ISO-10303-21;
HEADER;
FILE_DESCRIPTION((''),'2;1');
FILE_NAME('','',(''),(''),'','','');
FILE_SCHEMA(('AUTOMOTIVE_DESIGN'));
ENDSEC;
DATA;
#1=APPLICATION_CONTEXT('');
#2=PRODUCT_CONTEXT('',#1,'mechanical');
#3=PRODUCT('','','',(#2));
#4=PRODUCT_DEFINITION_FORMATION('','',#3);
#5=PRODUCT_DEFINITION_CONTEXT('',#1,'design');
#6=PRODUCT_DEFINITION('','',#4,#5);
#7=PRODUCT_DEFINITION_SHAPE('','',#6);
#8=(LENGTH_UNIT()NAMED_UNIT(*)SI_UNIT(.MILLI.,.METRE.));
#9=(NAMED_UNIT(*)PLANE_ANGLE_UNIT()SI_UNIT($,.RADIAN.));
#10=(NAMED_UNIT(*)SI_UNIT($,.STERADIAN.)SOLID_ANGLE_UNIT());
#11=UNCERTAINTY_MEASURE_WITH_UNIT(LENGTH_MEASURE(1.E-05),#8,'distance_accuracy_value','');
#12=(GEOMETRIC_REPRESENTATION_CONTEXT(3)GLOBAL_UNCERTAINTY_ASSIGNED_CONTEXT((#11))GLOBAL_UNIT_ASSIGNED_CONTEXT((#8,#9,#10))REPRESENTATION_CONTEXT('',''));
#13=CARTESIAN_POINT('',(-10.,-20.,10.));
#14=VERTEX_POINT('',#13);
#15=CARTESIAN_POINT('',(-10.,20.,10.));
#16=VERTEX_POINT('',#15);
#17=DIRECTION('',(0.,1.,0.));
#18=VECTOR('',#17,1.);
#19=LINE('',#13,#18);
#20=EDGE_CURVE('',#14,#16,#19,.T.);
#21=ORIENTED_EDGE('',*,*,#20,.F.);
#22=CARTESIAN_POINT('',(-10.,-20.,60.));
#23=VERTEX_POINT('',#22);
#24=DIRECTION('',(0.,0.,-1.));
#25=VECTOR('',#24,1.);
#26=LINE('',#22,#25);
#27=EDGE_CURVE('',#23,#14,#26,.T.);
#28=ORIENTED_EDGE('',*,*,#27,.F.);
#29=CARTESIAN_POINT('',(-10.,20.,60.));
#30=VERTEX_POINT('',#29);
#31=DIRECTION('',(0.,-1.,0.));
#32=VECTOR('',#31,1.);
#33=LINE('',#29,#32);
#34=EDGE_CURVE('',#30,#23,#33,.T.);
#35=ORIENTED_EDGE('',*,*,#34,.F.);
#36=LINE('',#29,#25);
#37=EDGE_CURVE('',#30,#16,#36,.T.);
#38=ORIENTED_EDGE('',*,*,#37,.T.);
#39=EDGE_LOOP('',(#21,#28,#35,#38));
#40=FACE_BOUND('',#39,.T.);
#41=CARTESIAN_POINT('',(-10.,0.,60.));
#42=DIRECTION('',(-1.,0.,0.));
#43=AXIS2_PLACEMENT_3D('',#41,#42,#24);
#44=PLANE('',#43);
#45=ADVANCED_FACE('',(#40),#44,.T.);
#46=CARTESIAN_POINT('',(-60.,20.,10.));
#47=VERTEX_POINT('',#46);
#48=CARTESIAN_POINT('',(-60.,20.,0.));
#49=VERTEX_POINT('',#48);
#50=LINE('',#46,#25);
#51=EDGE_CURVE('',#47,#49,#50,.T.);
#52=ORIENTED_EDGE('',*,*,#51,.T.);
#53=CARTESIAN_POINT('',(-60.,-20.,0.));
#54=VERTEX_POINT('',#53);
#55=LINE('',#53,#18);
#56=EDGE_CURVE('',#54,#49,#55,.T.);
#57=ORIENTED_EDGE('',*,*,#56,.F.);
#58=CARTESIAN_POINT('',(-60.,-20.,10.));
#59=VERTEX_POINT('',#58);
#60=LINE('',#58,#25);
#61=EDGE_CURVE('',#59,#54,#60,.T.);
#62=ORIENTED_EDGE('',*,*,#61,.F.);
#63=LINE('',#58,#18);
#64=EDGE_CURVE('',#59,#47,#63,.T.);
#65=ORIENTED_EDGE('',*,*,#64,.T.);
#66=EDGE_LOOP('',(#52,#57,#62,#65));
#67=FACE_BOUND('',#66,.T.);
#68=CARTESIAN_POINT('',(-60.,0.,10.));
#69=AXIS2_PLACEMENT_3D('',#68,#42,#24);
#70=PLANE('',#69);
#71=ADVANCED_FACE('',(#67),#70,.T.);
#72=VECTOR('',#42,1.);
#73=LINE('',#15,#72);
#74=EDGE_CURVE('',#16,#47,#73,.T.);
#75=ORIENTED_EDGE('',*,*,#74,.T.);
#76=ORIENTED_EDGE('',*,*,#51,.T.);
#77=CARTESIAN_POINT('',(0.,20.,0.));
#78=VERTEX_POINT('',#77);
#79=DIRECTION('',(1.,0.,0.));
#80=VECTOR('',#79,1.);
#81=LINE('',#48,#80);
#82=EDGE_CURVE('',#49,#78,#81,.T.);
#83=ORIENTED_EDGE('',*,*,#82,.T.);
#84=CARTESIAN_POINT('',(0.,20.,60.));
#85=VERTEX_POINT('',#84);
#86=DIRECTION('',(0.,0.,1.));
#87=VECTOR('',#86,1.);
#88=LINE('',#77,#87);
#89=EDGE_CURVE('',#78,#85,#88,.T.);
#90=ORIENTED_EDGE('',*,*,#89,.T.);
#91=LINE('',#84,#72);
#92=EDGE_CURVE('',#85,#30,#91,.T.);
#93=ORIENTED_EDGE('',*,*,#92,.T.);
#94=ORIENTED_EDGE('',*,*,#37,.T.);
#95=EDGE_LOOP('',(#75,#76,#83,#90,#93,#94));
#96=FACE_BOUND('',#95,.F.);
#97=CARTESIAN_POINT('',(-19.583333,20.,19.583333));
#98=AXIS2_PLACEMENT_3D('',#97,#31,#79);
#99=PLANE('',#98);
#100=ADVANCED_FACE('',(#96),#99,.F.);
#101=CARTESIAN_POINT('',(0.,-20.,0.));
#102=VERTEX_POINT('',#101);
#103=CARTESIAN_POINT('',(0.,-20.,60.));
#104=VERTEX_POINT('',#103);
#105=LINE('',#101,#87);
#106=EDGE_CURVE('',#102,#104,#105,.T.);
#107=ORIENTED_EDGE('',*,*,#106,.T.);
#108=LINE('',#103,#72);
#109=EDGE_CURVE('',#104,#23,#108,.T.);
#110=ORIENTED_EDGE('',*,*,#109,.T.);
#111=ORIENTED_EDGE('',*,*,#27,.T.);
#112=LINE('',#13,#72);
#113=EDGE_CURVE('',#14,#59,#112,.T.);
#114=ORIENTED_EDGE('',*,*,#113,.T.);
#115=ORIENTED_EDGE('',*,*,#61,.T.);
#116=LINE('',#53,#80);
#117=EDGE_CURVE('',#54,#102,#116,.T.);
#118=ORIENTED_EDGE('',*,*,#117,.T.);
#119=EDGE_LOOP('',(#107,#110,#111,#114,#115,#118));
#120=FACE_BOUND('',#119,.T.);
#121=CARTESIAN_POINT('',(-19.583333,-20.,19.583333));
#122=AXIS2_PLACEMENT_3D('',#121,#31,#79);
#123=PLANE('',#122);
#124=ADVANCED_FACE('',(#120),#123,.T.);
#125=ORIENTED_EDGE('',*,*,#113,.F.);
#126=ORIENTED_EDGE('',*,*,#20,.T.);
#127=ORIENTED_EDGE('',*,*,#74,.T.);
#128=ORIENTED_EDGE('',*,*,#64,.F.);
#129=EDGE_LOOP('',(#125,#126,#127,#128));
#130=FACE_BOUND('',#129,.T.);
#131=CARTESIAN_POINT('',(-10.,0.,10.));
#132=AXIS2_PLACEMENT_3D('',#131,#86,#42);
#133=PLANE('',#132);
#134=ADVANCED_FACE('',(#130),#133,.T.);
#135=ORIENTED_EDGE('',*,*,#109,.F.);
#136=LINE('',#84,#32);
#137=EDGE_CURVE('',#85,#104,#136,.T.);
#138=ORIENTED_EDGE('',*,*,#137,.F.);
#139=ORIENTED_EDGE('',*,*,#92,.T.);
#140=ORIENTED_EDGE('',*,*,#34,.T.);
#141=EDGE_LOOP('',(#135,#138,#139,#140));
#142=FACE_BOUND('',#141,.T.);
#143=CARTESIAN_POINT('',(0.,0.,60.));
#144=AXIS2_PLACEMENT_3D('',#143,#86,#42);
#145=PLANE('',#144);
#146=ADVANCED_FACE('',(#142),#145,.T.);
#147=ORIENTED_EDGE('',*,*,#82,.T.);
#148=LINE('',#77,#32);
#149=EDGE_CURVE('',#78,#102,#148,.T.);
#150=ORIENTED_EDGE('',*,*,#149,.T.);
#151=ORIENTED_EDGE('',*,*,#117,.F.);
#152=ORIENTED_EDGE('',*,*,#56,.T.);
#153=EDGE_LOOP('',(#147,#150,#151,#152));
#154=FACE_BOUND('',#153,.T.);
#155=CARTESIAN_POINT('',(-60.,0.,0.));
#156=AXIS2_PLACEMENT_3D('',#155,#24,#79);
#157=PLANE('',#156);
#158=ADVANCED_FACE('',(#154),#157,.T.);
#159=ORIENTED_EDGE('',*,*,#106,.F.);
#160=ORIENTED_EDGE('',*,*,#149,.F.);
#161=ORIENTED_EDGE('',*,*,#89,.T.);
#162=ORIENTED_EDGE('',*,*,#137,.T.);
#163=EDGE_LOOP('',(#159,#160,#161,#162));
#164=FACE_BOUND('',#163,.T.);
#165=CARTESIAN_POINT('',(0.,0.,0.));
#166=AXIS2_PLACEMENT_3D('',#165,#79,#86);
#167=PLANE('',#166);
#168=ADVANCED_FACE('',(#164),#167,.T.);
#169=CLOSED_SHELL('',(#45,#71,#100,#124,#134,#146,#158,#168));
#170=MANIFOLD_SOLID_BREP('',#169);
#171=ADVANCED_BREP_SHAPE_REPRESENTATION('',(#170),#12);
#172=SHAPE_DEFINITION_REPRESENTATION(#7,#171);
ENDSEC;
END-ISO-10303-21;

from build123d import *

# Parameters (mm, degrees)
PAD_DEPTH = 20


with BuildPart() as part:
    # Sketch → Pad (new body, symmetric)
    with BuildSketch(Plane.XZ):
        Polygon((-60, 0), (0, 0), (0, 60), (-10, 60), (-10, 10), (-60, 10), align=None)
    extrude(amount=PAD_DEPTH, both=True)


solid = part.part
